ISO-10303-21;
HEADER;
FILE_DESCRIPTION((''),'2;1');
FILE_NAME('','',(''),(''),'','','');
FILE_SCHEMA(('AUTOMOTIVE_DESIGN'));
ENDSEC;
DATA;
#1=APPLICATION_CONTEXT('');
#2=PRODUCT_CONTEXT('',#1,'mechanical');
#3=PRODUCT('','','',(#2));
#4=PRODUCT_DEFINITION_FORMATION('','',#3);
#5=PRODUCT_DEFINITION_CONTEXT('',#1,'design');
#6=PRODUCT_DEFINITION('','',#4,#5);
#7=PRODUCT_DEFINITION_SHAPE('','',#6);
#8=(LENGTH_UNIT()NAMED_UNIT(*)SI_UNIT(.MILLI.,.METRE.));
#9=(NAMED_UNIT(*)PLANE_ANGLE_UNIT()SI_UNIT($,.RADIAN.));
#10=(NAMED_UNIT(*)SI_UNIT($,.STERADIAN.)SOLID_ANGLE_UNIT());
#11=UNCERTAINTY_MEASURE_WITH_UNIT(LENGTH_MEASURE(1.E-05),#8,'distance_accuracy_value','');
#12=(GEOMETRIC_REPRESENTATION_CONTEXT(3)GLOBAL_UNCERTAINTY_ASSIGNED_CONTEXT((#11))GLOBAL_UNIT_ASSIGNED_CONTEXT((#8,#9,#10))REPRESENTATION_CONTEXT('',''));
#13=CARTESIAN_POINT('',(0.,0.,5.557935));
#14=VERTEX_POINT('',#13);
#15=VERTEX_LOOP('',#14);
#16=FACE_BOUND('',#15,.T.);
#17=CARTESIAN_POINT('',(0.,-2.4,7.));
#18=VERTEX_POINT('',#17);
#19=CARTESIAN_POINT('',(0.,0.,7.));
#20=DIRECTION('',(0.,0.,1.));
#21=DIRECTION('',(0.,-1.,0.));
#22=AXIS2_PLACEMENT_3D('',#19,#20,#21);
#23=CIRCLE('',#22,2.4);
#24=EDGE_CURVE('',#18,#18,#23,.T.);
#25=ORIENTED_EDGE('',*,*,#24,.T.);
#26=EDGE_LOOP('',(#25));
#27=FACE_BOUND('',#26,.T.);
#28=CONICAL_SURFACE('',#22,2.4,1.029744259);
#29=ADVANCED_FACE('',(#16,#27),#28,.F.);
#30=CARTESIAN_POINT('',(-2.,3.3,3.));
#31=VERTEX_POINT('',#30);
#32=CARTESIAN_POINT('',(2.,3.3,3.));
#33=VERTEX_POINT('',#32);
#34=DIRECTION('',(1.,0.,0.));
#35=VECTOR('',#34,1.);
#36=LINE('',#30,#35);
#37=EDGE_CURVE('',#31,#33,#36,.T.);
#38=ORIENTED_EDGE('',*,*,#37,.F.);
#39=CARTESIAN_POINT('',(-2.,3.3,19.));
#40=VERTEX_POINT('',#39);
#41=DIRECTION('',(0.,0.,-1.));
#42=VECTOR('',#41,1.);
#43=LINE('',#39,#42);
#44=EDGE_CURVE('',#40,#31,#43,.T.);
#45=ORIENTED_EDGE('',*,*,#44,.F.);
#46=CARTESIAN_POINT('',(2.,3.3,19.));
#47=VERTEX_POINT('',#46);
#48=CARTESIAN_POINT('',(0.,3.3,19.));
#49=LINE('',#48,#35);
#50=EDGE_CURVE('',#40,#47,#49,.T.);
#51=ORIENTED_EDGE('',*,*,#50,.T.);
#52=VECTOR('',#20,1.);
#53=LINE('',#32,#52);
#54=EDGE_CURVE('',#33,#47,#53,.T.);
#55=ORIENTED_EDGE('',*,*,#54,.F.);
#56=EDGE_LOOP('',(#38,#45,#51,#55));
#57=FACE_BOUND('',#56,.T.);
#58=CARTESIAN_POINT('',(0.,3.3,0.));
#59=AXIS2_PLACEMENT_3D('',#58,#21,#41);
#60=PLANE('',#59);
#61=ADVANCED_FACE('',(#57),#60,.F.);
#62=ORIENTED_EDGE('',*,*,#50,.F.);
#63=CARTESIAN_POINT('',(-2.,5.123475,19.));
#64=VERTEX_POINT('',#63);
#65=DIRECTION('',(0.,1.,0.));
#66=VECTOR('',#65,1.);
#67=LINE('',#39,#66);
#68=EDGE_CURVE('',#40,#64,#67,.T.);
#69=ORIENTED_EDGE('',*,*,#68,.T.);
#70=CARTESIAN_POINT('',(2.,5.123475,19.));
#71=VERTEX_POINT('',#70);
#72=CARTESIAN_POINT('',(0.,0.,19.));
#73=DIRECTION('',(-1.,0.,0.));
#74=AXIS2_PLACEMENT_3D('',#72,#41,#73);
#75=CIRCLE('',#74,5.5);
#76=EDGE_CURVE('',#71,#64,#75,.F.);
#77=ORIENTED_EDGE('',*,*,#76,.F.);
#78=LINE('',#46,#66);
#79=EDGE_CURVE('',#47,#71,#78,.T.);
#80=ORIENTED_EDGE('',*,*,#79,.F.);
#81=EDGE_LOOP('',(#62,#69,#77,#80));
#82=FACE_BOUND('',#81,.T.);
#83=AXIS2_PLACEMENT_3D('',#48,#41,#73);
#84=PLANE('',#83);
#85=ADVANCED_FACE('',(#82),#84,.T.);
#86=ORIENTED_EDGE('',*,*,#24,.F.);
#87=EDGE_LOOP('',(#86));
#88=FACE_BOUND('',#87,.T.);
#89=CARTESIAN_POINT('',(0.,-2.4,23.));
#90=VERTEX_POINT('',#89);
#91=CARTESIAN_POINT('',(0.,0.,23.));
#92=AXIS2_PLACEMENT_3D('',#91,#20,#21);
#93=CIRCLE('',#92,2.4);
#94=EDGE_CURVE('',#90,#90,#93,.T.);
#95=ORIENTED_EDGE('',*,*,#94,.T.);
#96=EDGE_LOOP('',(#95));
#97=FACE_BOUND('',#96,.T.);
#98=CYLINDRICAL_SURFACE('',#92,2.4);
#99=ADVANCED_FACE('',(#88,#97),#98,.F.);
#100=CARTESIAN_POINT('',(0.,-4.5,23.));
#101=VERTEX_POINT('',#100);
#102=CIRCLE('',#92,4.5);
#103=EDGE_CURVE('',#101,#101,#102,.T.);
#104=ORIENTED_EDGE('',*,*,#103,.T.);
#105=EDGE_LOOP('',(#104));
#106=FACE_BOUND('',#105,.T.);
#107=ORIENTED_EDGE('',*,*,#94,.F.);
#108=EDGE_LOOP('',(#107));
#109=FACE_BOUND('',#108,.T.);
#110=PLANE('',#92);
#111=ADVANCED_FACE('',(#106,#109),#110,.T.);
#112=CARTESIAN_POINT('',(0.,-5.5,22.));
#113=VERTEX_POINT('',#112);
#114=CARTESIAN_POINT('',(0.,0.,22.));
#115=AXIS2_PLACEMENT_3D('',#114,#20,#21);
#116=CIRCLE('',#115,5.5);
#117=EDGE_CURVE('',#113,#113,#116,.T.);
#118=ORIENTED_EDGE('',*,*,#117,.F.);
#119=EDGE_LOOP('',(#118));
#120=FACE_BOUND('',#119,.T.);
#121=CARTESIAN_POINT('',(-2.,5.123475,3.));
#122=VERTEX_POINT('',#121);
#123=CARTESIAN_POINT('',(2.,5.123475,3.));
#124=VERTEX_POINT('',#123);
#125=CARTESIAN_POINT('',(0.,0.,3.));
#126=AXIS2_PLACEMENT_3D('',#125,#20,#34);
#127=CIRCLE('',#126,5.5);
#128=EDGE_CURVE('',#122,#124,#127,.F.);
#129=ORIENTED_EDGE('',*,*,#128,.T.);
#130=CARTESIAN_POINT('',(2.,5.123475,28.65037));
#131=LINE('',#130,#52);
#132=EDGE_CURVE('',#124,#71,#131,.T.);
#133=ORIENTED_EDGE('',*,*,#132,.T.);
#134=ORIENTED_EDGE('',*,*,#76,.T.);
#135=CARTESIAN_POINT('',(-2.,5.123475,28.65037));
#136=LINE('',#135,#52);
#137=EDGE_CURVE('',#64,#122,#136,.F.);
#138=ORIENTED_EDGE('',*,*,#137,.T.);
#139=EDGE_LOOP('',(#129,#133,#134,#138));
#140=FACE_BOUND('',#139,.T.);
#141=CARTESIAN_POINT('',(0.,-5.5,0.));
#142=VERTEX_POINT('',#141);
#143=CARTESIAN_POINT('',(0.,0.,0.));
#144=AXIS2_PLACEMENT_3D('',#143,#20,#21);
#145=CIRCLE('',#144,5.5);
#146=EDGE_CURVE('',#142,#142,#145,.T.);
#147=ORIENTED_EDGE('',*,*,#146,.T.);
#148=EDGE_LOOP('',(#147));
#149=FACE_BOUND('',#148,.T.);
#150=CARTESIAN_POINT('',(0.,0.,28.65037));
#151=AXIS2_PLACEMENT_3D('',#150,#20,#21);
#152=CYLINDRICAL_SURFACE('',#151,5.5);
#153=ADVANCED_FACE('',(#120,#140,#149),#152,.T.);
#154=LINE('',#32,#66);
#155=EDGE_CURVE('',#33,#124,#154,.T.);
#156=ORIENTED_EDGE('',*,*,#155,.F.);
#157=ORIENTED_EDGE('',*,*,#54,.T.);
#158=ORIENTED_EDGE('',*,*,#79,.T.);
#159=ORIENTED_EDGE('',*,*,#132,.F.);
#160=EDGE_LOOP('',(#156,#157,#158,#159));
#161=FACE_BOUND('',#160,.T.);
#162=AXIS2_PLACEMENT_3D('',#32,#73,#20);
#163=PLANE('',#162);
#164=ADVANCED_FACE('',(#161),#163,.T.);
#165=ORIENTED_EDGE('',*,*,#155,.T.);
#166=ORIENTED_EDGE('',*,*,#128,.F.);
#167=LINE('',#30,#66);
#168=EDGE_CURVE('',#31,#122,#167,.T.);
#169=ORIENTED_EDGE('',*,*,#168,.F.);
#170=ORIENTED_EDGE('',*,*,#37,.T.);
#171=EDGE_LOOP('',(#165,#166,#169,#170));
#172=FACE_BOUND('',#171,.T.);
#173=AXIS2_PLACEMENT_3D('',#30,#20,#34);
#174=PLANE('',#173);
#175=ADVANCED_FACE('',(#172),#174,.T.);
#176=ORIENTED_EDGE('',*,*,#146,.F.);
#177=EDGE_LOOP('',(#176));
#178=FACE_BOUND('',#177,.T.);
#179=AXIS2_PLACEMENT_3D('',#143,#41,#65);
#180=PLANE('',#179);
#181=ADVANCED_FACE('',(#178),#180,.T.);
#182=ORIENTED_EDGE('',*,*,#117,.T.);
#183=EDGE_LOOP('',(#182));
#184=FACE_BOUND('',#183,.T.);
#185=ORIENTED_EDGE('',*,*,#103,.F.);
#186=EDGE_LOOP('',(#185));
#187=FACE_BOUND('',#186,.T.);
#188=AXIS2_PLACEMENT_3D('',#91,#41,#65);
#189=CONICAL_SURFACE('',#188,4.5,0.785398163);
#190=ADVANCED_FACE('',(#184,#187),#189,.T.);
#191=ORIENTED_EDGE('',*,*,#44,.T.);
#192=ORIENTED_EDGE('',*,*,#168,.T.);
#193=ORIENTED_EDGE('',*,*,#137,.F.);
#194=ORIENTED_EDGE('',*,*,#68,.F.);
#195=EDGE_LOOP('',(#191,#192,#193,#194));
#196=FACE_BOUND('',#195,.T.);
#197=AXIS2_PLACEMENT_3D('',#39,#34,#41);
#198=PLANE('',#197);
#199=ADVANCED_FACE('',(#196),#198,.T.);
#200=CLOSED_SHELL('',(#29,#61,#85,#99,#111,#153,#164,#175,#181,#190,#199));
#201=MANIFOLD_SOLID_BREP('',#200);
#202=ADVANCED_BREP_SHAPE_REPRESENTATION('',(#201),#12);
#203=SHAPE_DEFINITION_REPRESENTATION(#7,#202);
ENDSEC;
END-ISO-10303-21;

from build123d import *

# Parameters (mm, degrees)
HOLE_WIZARD_M41_D     = 4.8
HOLE_WIZARD_M41_DEPTH = 16
HOLE_WIZARD_M41_TIP   = 1.442065486
CUT_EXTRUDE_1_DEPTH   = 2.2


with BuildPart() as part:
    # Эскиз1 → Повернуть1 (revolve)
    with BuildSketch(Plane(origin=(0, 0, 0), x_dir=(0, 0, -1), z_dir=(1, 0, 0))):
        Polygon((0, 0), (-23, 0), (-23, -4.5), (-22, -5.5), (0, -5.5), align=None)
    revolve(axis=Axis((0, 0, 28.650369954), (0, 0, -1)))

    # Отверстие с зазором M41
    with Locations(Plane(origin=(0, 0, 23), x_dir=(0, 1, 0), z_dir=(0, 0, 1))):
        with Locations((0, 0)):
            Hole(HOLE_WIZARD_M41_D / 2, depth=HOLE_WIZARD_M41_DEPTH)
            with Locations((0, 0, -(HOLE_WIZARD_M41_DEPTH + HOLE_WIZARD_M41_TIP / 2))):  # 118° drill point
                Cone(0, HOLE_WIZARD_M41_D / 2, HOLE_WIZARD_M41_TIP, mode=Mode.SUBTRACT)

    # Эскиз4 → Вырез-Вытянуть1 (cut)
    with BuildSketch(Plane(origin=(0, 5.5, 0), x_dir=(1, 0, 0), z_dir=(0, 1, 0))):
        Polygon((0, -19), (2, -19), (2, -3), (-2, -3), (-2, -19), align=None)
    extrude(amount=-CUT_EXTRUDE_1_DEPTH, mode=Mode.SUBTRACT)


solid = part.part
